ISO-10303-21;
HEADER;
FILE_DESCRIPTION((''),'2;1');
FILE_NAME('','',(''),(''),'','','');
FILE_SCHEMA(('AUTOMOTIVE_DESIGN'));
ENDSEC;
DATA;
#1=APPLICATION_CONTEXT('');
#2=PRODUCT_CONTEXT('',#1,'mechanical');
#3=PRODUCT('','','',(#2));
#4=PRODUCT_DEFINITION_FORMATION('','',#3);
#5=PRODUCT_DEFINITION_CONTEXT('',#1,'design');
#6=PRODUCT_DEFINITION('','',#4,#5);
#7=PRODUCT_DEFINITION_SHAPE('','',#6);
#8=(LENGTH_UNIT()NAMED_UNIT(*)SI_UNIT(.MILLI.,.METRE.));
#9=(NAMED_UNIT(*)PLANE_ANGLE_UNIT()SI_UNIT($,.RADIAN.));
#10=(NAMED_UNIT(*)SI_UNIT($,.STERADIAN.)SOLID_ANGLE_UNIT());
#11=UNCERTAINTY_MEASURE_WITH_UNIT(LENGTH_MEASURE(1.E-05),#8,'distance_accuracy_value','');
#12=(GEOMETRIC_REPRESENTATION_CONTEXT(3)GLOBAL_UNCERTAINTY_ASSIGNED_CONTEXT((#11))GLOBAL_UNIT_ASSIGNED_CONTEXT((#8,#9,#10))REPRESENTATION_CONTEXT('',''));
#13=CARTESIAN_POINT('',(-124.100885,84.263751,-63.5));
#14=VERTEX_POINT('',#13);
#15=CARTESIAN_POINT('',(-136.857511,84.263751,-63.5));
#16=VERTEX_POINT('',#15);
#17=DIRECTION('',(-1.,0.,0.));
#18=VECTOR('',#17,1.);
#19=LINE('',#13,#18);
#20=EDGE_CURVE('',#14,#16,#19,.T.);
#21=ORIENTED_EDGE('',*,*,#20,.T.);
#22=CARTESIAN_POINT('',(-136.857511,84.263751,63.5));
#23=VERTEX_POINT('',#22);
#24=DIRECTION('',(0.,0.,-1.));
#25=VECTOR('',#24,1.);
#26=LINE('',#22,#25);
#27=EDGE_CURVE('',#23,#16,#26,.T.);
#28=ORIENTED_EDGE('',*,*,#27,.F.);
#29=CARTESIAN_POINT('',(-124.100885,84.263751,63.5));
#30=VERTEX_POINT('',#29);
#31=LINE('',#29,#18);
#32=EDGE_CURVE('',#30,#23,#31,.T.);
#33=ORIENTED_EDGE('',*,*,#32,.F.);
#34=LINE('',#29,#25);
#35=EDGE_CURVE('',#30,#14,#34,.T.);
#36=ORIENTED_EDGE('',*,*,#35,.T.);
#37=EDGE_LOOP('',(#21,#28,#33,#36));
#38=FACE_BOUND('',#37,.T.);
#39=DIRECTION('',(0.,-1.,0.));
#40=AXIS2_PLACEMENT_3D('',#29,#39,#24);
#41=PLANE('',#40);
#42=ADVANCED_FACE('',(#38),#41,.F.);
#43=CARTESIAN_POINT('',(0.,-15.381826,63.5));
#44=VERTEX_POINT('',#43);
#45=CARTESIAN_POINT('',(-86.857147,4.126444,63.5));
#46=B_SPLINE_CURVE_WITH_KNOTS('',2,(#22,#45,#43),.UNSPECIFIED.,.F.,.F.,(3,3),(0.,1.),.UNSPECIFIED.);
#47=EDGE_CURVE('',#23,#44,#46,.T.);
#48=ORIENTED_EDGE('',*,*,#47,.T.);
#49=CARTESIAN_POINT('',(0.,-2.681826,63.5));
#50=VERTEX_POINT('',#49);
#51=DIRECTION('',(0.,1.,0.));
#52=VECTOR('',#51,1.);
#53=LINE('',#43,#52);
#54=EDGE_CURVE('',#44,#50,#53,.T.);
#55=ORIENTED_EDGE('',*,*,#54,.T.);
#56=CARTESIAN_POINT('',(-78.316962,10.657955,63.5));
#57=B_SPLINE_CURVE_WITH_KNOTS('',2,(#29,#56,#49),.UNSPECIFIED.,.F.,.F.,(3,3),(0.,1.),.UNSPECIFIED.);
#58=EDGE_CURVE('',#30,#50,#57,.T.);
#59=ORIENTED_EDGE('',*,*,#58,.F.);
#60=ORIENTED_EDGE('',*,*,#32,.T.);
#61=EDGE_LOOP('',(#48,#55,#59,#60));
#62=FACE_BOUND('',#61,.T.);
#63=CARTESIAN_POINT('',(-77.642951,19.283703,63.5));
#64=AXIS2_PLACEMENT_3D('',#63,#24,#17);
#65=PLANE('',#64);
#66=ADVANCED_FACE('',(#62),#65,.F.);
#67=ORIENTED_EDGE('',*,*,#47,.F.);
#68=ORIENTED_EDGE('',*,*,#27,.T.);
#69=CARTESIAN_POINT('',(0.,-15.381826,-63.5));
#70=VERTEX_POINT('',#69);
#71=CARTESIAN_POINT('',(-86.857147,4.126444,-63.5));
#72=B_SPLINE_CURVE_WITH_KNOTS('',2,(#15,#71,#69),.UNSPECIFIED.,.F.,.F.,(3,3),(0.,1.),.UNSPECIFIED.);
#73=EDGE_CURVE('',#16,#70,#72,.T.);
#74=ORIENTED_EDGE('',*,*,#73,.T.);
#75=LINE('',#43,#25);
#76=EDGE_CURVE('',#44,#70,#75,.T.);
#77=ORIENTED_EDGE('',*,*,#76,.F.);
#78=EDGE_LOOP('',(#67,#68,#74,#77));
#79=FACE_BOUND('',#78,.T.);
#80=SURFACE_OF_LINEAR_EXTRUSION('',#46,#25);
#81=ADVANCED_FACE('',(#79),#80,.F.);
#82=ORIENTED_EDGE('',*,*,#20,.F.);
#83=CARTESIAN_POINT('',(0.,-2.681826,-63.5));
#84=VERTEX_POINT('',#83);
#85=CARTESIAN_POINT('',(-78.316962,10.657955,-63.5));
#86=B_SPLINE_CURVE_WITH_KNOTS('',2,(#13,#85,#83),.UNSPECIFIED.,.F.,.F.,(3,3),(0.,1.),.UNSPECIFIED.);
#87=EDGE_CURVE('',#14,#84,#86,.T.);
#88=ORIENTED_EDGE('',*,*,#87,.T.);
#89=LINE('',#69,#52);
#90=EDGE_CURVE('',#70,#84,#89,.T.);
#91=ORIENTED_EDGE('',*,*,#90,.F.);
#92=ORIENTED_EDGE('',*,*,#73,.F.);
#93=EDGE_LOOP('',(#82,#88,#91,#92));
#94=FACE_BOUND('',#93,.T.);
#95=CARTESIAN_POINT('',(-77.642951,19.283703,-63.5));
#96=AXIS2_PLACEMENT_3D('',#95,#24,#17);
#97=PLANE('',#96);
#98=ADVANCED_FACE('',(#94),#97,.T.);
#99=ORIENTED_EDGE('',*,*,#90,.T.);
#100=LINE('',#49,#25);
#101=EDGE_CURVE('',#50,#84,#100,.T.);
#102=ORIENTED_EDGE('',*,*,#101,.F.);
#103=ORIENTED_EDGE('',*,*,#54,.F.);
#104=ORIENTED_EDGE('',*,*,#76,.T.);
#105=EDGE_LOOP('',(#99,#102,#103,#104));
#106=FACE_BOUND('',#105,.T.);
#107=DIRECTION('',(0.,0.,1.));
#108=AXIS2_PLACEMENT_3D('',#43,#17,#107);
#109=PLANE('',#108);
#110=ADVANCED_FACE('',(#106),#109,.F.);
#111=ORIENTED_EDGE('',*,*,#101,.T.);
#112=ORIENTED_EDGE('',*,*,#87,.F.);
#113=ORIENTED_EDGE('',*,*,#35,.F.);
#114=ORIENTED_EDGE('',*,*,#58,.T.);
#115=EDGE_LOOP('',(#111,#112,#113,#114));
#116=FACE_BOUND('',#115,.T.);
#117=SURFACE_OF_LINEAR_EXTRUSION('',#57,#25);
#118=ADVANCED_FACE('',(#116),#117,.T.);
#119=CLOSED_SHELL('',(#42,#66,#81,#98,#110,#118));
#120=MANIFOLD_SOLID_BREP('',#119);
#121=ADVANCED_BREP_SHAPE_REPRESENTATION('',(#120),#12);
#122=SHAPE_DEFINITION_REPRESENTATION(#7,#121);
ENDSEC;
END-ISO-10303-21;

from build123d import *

# Parameters (mm, degrees)
BOSS_EXTRUDE1_DEPTH = 63.5


with BuildPart() as part:
    # Sketch1 → Boss-Extrude1 (new, symmetric)
    with BuildSketch(Plane.XY):
        with BuildLine():
            Line((-124.10088452, 84.263750928), (-136.857511415, 84.263750928))
            add(Edge.make_bspline(
                [(-136.857511415, 84.263750928), (-86.857146787, 4.126444198), (0, -15.381825942)],
                knots=[0, 0, 0, 1, 1, 1], degree=2))
            Line((0, -15.381825942), (0, -2.681825942))
            add(Edge.make_bspline(
                [(-124.10088452, 84.263750928), (-78.316961973, 10.657955133), (0, -2.681825942)],
                knots=[0, 0, 0, 1, 1, 1], degree=2))
        make_face()
    extrude(amount=BOSS_EXTRUDE1_DEPTH, both=True)


solid = part.part
